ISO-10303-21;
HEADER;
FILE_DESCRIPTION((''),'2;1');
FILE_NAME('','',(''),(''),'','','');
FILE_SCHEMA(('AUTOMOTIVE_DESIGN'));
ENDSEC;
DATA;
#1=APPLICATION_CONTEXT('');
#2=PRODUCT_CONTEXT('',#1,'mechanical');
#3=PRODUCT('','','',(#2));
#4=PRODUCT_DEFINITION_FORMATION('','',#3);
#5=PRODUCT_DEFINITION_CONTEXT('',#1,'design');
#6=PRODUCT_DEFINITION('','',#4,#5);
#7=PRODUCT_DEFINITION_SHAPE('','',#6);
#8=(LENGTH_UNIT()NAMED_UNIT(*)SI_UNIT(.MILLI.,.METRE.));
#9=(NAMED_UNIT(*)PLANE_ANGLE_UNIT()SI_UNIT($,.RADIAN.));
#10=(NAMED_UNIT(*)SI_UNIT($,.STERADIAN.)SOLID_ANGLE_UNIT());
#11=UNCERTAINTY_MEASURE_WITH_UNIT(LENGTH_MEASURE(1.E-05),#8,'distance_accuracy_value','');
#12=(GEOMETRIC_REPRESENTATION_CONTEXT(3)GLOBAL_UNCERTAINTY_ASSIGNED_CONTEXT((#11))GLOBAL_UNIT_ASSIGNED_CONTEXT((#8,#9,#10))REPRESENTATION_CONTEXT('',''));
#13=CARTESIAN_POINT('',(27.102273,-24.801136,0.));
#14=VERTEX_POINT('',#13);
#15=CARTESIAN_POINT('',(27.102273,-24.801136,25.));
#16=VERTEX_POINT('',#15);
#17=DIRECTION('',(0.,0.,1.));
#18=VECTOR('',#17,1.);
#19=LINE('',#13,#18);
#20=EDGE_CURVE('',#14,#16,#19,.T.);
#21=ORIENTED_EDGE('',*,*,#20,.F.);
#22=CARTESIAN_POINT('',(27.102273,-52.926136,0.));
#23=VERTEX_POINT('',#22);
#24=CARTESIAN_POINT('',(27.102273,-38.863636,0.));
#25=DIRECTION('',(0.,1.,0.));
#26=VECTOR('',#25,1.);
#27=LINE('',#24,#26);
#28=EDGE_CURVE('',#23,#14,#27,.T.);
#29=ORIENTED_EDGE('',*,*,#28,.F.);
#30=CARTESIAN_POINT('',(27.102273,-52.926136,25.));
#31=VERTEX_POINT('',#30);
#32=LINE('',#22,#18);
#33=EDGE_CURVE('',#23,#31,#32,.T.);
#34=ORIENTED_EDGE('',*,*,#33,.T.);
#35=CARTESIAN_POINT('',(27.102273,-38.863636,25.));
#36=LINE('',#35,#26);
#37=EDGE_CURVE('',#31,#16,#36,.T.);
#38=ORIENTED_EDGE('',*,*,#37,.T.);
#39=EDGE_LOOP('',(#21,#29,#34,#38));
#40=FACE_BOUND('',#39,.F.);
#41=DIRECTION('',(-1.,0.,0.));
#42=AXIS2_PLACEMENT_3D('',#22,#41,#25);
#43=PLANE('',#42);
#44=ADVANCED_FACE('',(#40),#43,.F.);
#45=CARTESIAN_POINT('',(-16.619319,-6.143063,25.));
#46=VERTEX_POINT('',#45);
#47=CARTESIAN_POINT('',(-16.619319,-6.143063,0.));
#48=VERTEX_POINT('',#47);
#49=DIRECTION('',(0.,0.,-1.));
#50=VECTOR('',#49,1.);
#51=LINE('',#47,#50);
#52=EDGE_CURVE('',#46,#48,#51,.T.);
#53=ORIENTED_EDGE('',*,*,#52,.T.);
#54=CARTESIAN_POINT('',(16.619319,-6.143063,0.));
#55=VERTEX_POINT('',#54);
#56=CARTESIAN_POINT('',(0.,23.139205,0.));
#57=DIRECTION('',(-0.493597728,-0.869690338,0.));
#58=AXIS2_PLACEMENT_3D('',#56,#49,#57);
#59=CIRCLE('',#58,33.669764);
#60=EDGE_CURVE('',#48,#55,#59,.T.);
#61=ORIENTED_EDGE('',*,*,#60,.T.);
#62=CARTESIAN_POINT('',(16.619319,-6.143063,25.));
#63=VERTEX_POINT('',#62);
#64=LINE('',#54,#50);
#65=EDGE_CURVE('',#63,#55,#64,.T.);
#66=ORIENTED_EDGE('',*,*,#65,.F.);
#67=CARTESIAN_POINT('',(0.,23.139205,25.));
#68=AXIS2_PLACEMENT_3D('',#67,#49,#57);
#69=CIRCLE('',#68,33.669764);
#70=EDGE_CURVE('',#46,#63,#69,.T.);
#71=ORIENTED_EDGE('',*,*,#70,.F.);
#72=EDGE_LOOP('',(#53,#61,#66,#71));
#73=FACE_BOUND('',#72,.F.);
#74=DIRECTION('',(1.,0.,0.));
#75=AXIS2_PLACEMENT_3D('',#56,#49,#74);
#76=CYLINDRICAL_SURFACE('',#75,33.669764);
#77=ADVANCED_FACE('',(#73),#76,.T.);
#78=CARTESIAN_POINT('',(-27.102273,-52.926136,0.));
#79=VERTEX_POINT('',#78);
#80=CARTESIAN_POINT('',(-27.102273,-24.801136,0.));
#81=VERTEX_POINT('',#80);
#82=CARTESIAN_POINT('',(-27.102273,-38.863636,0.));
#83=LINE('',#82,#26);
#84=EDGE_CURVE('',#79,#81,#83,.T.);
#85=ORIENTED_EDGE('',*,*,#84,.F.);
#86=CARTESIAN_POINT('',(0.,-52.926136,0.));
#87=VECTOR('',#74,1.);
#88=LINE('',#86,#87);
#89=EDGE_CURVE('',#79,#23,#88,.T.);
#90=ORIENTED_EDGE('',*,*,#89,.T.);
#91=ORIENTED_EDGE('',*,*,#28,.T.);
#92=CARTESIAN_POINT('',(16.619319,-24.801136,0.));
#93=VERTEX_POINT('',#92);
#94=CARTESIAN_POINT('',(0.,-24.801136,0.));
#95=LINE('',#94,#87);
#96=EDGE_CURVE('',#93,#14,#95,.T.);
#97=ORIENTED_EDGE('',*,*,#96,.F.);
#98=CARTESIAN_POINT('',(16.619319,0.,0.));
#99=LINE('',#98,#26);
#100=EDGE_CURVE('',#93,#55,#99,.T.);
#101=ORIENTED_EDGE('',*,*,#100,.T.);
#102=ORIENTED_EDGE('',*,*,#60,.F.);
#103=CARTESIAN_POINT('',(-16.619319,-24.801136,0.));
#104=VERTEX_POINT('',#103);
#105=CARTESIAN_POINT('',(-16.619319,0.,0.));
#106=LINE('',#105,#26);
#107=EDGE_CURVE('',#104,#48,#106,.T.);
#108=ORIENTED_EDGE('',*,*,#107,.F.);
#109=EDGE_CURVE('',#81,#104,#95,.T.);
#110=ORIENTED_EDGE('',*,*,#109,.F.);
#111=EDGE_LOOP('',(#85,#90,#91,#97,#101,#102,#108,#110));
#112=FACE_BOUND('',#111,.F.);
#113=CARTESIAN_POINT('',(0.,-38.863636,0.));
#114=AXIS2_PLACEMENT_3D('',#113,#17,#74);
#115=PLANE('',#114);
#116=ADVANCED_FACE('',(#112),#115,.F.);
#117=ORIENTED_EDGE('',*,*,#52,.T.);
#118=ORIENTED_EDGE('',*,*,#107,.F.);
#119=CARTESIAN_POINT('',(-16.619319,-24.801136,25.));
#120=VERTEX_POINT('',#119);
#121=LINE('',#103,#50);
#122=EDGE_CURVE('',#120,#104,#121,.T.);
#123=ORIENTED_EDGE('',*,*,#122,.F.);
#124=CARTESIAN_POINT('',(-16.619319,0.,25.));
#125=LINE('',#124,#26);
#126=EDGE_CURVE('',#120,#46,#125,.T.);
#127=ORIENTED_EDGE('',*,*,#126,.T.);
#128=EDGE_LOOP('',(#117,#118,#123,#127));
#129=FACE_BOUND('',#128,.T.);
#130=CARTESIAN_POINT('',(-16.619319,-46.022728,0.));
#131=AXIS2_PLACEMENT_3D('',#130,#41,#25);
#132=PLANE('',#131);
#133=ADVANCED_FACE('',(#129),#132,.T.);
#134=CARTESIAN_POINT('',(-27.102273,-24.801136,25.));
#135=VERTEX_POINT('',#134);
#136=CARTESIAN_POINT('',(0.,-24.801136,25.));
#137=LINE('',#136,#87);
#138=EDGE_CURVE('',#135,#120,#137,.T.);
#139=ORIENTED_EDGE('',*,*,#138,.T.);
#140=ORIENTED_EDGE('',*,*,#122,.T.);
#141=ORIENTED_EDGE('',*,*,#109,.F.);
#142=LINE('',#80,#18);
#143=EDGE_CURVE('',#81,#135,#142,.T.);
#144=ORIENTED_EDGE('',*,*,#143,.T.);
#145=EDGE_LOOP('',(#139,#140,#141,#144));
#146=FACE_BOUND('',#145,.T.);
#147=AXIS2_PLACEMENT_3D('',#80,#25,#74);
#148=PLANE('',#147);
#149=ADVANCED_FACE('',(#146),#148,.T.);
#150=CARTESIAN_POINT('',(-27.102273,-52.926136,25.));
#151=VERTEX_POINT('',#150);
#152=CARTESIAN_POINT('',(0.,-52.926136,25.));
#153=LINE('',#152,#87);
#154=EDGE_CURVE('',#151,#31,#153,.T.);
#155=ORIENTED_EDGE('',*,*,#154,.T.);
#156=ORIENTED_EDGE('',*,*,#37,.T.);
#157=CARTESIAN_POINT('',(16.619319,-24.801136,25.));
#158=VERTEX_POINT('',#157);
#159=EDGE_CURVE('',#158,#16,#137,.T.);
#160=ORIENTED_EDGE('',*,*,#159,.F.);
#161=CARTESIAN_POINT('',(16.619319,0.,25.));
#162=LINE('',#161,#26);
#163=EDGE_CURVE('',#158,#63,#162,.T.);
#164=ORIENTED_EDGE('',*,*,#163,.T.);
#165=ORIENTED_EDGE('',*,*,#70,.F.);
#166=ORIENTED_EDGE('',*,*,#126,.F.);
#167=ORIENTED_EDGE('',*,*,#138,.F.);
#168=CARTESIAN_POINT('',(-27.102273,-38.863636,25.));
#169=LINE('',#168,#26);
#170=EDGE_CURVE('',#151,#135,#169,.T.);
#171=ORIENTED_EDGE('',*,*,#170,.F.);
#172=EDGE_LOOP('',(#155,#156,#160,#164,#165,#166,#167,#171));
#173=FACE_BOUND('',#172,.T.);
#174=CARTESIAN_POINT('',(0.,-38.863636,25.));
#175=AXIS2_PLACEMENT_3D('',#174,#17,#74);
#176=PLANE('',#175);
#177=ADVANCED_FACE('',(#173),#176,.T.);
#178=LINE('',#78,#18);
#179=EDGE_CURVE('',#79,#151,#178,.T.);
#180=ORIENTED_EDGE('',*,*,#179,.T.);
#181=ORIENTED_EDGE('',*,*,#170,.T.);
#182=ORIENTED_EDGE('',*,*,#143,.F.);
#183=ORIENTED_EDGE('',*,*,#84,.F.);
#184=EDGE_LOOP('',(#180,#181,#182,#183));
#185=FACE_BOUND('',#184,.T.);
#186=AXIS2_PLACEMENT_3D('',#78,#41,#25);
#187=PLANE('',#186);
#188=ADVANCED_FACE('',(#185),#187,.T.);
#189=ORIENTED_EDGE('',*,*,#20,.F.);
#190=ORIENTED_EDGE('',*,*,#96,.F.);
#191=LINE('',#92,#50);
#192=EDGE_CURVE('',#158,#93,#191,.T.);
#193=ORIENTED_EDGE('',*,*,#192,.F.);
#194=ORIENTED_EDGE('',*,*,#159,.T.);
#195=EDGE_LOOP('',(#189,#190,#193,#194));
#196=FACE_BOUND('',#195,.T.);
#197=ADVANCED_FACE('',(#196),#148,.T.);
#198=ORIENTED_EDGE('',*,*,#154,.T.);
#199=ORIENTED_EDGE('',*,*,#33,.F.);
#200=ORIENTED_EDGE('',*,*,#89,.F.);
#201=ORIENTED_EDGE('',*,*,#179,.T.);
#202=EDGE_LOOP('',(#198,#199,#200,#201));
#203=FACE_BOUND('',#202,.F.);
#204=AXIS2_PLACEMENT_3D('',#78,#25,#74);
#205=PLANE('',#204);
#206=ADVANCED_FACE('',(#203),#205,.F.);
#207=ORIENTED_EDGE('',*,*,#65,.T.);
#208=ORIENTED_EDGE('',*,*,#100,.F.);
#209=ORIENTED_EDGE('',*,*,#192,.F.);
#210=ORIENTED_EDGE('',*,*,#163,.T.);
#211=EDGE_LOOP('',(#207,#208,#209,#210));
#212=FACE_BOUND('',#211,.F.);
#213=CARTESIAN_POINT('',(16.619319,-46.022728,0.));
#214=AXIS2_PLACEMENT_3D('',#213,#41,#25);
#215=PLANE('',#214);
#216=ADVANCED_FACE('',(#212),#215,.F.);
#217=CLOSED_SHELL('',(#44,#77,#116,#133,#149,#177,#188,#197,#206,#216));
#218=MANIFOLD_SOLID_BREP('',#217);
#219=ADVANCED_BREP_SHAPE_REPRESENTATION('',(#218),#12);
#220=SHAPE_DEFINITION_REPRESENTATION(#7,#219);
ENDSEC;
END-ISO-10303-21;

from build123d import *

# Parameters (mm, degrees)
F1_R     = 33.669764
F3_DEPTH = 25
F0_W     = 33.238638
F0_H     = 92.045456
F4_DEPTH = 25
F2_W     = 54.204546
F2_H     = 28.124999
F5_DEPTH = 25


with BuildPart() as f3:
    # F1 (on Top) → F3 (new body)
    with BuildSketch(Plane.XY):
        with Locations((0, 23.139205)):
            Circle(F1_R)
    extrude(amount=F3_DEPTH)

    # F0 (on Top) → F4 (join)
    with BuildSketch(Plane.XY):
        Rectangle(F0_W, F0_H)
    extrude(amount=F4_DEPTH)

    # F2 (on Top) → F5 (join)
    with BuildSketch(Plane.XY):
        with Locations((0, -38.863636)):
            Rectangle(F2_W, F2_H)
    extrude(amount=F5_DEPTH)


solid = f3.part
